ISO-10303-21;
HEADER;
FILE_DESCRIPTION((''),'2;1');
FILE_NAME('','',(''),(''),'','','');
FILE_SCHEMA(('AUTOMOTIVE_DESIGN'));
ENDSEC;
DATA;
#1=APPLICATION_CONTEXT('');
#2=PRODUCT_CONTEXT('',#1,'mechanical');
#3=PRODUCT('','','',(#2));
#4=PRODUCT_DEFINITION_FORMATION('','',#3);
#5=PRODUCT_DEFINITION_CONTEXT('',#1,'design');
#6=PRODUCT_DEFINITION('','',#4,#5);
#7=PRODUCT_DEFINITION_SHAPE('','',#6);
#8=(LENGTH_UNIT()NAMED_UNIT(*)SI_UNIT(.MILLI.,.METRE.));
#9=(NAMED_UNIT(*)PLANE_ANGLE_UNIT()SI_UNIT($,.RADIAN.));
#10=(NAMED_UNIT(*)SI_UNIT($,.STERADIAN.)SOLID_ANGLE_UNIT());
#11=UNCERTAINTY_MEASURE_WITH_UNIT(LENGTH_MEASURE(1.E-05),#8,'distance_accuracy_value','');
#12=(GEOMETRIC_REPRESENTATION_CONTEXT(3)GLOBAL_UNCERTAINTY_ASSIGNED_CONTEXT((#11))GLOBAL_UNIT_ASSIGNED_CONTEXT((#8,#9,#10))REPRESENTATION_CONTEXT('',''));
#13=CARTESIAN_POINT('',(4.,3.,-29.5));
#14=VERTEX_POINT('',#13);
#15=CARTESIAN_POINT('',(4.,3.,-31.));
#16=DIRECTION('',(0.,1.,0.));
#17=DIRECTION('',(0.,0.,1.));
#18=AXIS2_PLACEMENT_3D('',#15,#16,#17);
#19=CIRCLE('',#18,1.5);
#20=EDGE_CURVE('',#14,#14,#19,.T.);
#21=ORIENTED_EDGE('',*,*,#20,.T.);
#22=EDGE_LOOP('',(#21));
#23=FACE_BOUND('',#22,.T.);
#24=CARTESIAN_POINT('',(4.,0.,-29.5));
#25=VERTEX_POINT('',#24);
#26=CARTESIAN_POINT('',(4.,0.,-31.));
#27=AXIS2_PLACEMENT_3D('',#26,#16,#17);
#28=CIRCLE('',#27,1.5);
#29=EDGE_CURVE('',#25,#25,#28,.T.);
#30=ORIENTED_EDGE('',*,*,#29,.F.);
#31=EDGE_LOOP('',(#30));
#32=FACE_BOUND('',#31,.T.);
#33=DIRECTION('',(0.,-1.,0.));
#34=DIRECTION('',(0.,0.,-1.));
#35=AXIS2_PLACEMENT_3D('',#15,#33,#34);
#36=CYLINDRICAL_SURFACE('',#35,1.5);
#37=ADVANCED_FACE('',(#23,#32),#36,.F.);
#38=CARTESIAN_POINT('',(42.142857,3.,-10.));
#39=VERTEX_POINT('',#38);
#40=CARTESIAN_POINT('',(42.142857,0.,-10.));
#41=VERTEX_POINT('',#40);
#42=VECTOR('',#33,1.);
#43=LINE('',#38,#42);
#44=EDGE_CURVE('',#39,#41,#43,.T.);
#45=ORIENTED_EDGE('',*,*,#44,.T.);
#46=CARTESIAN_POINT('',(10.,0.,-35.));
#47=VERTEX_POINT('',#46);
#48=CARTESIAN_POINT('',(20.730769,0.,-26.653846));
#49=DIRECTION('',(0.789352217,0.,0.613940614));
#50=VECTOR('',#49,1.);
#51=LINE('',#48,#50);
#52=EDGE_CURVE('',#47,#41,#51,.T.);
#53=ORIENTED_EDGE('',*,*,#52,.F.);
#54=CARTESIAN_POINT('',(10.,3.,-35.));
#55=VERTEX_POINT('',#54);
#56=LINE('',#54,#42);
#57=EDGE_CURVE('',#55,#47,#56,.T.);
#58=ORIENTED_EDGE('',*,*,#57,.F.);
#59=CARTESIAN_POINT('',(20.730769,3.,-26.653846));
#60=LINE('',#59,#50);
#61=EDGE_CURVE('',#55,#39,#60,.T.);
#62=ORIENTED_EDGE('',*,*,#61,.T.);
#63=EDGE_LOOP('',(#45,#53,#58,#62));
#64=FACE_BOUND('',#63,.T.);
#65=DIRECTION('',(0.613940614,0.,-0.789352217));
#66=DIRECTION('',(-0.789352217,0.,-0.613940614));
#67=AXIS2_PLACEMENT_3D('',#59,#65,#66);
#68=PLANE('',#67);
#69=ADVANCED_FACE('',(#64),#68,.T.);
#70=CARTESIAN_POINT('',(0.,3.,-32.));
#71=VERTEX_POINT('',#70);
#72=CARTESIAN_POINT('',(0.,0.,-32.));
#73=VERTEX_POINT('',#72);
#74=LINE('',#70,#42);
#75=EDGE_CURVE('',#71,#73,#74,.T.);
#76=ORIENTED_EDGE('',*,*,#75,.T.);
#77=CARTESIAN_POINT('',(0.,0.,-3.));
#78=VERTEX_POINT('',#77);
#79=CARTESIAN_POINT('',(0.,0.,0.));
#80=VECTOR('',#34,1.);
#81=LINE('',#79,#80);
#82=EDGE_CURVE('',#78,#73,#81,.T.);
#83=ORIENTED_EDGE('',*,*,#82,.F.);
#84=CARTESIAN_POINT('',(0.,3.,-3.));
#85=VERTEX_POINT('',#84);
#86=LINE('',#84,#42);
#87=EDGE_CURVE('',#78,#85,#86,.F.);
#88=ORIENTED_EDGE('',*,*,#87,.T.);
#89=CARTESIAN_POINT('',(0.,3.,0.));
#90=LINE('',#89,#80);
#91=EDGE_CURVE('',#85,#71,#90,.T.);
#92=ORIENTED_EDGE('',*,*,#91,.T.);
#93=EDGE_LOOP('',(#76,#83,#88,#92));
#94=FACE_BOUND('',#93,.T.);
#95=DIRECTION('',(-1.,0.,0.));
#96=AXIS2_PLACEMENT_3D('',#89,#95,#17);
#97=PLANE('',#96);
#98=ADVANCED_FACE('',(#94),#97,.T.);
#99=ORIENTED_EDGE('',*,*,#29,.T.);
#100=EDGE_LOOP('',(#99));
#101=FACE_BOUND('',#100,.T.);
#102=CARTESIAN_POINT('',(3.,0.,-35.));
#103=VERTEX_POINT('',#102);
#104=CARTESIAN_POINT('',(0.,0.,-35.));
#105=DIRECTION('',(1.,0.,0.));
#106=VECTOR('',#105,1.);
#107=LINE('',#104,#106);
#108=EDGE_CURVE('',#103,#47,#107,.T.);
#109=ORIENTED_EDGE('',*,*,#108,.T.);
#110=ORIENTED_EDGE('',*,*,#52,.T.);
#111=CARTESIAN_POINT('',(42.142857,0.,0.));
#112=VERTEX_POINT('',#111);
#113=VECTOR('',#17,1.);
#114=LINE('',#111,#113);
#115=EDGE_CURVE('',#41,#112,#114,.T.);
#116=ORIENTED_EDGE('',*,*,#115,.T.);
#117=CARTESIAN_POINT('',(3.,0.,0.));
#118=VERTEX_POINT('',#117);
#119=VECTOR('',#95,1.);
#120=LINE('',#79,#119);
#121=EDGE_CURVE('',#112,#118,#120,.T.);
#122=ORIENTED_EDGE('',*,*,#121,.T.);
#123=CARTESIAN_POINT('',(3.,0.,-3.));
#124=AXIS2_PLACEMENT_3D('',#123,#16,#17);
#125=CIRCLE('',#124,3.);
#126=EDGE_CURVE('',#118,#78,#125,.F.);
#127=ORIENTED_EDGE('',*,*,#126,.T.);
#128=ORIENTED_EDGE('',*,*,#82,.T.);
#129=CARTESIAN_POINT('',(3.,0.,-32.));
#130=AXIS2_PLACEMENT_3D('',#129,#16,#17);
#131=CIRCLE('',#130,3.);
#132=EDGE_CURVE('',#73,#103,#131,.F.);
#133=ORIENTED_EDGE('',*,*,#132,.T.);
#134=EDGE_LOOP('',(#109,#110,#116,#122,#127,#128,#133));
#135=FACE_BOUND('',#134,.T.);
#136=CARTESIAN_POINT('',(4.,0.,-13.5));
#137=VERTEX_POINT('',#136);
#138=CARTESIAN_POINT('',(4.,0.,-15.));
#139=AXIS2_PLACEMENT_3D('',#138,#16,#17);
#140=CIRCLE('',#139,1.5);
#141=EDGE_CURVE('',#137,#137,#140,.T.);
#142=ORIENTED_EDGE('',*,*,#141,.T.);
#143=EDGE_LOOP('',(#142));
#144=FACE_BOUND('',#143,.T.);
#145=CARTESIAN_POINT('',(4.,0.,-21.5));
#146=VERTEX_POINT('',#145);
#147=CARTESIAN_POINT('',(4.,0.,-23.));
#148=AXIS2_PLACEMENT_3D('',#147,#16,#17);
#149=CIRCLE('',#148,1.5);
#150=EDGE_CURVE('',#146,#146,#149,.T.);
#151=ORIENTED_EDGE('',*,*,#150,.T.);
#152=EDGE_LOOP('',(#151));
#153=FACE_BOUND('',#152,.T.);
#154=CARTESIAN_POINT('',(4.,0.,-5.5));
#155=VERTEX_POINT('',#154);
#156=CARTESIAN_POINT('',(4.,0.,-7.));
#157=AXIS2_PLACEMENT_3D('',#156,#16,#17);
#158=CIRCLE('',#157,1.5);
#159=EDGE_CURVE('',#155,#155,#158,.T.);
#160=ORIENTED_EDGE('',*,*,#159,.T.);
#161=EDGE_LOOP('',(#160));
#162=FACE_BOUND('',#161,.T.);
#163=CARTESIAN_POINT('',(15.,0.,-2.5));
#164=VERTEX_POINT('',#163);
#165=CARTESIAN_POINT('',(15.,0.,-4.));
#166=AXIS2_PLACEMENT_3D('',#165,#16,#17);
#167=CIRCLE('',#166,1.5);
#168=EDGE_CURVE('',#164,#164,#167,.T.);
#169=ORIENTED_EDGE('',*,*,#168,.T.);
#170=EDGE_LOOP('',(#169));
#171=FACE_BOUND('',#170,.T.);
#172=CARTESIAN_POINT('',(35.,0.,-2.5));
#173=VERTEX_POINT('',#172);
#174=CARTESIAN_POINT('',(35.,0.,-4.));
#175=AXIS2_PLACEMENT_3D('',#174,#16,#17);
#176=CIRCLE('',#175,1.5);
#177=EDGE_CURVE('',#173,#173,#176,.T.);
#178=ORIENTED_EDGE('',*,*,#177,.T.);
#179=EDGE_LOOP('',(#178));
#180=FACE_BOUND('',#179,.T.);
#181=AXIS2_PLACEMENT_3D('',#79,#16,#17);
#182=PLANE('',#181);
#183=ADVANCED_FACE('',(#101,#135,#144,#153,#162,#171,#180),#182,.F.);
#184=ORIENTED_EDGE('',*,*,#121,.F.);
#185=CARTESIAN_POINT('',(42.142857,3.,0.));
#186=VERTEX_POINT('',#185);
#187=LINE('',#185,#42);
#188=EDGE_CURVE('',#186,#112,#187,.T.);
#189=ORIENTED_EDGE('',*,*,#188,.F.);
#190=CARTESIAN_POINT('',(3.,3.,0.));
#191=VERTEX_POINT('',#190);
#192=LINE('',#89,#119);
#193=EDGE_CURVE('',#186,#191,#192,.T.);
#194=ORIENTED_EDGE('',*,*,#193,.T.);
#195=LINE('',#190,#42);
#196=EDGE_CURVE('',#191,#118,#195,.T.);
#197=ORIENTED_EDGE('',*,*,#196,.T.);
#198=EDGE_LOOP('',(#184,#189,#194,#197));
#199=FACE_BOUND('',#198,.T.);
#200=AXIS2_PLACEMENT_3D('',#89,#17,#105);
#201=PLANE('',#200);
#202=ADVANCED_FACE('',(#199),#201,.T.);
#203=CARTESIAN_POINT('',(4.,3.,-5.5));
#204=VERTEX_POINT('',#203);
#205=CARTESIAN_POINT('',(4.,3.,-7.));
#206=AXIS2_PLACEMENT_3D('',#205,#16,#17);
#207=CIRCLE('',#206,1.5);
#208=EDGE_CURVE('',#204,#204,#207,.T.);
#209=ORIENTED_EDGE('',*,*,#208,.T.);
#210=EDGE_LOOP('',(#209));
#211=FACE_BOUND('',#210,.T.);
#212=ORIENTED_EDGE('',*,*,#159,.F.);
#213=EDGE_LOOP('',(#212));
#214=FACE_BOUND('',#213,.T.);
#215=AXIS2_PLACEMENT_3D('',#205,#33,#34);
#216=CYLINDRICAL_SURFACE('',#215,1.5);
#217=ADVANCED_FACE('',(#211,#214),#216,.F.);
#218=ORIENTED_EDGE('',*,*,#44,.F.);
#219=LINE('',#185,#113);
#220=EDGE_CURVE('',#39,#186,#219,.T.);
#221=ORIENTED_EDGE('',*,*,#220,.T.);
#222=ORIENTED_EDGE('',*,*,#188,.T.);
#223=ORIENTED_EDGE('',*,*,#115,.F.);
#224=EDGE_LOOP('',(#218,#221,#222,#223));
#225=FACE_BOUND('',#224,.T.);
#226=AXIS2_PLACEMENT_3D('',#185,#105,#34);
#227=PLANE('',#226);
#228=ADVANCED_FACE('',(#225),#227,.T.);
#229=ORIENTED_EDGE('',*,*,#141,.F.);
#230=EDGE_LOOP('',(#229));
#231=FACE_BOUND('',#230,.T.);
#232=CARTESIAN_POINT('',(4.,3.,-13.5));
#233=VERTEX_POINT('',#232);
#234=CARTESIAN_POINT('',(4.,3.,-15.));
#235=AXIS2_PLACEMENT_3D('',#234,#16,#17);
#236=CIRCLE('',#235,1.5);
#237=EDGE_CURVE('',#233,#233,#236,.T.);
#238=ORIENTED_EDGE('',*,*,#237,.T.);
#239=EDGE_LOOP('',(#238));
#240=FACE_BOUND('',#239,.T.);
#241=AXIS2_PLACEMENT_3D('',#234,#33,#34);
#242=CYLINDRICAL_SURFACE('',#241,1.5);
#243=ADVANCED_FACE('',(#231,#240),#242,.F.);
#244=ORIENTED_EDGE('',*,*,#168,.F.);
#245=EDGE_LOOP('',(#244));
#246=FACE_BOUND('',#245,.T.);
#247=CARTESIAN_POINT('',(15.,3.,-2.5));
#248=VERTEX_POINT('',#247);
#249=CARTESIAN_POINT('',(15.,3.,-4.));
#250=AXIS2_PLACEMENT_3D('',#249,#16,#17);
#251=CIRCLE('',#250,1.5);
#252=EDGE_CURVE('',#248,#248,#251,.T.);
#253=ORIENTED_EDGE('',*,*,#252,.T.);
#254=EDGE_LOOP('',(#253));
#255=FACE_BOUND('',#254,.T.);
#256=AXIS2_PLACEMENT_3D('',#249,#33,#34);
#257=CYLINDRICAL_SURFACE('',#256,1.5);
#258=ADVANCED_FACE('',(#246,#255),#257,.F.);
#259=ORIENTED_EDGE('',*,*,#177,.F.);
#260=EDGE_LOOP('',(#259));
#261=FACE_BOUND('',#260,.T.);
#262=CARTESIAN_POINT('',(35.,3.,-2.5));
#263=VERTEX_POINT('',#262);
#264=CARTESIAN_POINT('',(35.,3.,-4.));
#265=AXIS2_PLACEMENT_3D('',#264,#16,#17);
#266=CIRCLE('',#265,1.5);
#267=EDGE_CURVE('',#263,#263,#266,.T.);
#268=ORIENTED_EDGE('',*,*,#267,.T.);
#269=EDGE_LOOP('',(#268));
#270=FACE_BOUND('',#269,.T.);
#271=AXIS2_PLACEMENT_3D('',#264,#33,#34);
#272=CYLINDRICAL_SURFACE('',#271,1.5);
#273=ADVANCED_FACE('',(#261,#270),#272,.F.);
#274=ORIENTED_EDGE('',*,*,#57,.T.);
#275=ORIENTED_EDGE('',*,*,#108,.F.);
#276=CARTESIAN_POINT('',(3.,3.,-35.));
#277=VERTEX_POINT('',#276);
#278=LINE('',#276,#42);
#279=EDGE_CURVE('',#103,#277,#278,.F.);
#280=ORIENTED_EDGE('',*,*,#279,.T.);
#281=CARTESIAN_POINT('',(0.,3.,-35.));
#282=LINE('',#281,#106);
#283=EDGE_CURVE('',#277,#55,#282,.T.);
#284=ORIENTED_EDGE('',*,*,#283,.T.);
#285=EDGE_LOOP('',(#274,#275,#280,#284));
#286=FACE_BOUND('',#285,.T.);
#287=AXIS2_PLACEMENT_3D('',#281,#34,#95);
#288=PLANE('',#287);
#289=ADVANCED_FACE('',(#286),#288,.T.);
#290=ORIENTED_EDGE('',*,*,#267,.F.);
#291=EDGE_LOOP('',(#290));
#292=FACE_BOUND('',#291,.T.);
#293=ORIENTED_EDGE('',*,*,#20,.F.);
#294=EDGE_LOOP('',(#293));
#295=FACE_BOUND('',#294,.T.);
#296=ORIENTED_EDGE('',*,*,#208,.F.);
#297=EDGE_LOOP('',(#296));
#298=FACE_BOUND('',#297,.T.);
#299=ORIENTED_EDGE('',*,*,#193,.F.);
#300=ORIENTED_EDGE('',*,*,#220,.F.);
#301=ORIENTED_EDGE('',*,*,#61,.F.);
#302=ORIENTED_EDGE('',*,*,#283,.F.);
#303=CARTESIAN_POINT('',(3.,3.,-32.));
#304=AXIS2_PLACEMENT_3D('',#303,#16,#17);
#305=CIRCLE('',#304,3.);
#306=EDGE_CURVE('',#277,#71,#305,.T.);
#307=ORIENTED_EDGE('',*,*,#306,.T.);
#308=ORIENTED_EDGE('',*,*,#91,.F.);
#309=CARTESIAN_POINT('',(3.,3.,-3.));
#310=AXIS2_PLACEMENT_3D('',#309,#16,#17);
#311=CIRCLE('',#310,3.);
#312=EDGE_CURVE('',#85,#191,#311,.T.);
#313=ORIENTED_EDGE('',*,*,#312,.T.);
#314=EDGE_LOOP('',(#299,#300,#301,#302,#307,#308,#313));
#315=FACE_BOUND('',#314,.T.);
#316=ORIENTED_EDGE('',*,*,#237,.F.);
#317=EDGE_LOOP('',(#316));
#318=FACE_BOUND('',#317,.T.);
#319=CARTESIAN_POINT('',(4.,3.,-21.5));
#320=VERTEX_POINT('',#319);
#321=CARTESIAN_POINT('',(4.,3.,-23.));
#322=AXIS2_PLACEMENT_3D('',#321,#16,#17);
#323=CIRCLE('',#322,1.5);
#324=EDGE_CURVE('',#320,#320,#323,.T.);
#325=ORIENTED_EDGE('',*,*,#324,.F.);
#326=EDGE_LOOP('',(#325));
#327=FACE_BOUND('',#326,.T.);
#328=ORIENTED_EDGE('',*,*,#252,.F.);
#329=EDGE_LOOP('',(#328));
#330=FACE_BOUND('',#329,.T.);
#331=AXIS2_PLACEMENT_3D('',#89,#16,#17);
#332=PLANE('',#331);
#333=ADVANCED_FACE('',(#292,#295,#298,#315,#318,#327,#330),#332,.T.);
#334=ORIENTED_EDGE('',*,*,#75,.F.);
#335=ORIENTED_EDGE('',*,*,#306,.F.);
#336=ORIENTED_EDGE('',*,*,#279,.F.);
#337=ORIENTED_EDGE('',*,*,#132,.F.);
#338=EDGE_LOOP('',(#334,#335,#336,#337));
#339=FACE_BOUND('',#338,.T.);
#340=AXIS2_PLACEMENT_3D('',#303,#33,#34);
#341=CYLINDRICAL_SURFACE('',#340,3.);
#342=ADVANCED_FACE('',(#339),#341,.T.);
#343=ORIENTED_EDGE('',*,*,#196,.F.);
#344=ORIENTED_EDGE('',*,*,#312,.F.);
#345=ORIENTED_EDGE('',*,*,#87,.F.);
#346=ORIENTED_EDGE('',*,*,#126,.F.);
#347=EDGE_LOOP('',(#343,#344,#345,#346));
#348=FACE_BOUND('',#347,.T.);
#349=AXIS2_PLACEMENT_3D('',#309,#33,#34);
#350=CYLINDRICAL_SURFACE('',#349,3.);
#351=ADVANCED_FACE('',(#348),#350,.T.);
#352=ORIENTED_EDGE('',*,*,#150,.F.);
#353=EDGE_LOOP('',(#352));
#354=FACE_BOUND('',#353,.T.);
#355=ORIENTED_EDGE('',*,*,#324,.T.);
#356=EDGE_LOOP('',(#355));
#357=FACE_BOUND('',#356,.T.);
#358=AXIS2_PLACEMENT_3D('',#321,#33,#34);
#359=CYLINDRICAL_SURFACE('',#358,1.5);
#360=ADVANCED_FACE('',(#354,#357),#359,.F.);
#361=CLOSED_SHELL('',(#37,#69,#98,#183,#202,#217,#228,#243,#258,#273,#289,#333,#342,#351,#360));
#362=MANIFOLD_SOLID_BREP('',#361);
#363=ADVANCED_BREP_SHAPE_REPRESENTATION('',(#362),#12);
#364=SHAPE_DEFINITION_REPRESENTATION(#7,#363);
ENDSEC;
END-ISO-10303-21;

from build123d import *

# Parameters (mm, degrees)
SKETCH_1_R      = 1.5
EXTRUDE_1_DEPTH = 3
FILLET_1_R      = 3


with BuildPart() as part:
    # 草图1 → 凸台-拉伸1 (new body)
    with BuildSketch(Plane(origin=(0, 0, 0), x_dir=(1, 0, 0), z_dir=(0, 1, 0))):
        Polygon((0, 35), (0, 0), (42.142857143, 0), (42.142857143, 10), (10, 35), align=None)
        with Locations(Location((4, 7, 0), (0, 0, 270))):
            Circle(SKETCH_1_R, mode=Mode.SUBTRACT)
        with Locations(Location((15, 4, 0), (0, 0, 270))):
            Circle(SKETCH_1_R, mode=Mode.SUBTRACT)
        with Locations(Location((4, 15, 0), (0, 0, 270))):
            Circle(SKETCH_1_R, mode=Mode.SUBTRACT)
        with Locations(Location((35, 4, 0), (0, 0, 270))):
            Circle(SKETCH_1_R, mode=Mode.SUBTRACT)
        with Locations(Location((4, 23, 0), (0, 0, 270))):
            Circle(SKETCH_1_R, mode=Mode.SUBTRACT)
        with Locations(Location((4, 31, 0), (0, 0, 270))):
            Circle(SKETCH_1_R, mode=Mode.SUBTRACT)
    extrude(amount=EXTRUDE_1_DEPTH)

    # 圆角1
    fillet_1_edges = [part.edges().sort_by_distance(p)[0] for p in [
        (0, 1.5, 0),
        (0, 1.5, -35),
    ]]
    fillet(fillet_1_edges, radius=FILLET_1_R)


solid = part.part
